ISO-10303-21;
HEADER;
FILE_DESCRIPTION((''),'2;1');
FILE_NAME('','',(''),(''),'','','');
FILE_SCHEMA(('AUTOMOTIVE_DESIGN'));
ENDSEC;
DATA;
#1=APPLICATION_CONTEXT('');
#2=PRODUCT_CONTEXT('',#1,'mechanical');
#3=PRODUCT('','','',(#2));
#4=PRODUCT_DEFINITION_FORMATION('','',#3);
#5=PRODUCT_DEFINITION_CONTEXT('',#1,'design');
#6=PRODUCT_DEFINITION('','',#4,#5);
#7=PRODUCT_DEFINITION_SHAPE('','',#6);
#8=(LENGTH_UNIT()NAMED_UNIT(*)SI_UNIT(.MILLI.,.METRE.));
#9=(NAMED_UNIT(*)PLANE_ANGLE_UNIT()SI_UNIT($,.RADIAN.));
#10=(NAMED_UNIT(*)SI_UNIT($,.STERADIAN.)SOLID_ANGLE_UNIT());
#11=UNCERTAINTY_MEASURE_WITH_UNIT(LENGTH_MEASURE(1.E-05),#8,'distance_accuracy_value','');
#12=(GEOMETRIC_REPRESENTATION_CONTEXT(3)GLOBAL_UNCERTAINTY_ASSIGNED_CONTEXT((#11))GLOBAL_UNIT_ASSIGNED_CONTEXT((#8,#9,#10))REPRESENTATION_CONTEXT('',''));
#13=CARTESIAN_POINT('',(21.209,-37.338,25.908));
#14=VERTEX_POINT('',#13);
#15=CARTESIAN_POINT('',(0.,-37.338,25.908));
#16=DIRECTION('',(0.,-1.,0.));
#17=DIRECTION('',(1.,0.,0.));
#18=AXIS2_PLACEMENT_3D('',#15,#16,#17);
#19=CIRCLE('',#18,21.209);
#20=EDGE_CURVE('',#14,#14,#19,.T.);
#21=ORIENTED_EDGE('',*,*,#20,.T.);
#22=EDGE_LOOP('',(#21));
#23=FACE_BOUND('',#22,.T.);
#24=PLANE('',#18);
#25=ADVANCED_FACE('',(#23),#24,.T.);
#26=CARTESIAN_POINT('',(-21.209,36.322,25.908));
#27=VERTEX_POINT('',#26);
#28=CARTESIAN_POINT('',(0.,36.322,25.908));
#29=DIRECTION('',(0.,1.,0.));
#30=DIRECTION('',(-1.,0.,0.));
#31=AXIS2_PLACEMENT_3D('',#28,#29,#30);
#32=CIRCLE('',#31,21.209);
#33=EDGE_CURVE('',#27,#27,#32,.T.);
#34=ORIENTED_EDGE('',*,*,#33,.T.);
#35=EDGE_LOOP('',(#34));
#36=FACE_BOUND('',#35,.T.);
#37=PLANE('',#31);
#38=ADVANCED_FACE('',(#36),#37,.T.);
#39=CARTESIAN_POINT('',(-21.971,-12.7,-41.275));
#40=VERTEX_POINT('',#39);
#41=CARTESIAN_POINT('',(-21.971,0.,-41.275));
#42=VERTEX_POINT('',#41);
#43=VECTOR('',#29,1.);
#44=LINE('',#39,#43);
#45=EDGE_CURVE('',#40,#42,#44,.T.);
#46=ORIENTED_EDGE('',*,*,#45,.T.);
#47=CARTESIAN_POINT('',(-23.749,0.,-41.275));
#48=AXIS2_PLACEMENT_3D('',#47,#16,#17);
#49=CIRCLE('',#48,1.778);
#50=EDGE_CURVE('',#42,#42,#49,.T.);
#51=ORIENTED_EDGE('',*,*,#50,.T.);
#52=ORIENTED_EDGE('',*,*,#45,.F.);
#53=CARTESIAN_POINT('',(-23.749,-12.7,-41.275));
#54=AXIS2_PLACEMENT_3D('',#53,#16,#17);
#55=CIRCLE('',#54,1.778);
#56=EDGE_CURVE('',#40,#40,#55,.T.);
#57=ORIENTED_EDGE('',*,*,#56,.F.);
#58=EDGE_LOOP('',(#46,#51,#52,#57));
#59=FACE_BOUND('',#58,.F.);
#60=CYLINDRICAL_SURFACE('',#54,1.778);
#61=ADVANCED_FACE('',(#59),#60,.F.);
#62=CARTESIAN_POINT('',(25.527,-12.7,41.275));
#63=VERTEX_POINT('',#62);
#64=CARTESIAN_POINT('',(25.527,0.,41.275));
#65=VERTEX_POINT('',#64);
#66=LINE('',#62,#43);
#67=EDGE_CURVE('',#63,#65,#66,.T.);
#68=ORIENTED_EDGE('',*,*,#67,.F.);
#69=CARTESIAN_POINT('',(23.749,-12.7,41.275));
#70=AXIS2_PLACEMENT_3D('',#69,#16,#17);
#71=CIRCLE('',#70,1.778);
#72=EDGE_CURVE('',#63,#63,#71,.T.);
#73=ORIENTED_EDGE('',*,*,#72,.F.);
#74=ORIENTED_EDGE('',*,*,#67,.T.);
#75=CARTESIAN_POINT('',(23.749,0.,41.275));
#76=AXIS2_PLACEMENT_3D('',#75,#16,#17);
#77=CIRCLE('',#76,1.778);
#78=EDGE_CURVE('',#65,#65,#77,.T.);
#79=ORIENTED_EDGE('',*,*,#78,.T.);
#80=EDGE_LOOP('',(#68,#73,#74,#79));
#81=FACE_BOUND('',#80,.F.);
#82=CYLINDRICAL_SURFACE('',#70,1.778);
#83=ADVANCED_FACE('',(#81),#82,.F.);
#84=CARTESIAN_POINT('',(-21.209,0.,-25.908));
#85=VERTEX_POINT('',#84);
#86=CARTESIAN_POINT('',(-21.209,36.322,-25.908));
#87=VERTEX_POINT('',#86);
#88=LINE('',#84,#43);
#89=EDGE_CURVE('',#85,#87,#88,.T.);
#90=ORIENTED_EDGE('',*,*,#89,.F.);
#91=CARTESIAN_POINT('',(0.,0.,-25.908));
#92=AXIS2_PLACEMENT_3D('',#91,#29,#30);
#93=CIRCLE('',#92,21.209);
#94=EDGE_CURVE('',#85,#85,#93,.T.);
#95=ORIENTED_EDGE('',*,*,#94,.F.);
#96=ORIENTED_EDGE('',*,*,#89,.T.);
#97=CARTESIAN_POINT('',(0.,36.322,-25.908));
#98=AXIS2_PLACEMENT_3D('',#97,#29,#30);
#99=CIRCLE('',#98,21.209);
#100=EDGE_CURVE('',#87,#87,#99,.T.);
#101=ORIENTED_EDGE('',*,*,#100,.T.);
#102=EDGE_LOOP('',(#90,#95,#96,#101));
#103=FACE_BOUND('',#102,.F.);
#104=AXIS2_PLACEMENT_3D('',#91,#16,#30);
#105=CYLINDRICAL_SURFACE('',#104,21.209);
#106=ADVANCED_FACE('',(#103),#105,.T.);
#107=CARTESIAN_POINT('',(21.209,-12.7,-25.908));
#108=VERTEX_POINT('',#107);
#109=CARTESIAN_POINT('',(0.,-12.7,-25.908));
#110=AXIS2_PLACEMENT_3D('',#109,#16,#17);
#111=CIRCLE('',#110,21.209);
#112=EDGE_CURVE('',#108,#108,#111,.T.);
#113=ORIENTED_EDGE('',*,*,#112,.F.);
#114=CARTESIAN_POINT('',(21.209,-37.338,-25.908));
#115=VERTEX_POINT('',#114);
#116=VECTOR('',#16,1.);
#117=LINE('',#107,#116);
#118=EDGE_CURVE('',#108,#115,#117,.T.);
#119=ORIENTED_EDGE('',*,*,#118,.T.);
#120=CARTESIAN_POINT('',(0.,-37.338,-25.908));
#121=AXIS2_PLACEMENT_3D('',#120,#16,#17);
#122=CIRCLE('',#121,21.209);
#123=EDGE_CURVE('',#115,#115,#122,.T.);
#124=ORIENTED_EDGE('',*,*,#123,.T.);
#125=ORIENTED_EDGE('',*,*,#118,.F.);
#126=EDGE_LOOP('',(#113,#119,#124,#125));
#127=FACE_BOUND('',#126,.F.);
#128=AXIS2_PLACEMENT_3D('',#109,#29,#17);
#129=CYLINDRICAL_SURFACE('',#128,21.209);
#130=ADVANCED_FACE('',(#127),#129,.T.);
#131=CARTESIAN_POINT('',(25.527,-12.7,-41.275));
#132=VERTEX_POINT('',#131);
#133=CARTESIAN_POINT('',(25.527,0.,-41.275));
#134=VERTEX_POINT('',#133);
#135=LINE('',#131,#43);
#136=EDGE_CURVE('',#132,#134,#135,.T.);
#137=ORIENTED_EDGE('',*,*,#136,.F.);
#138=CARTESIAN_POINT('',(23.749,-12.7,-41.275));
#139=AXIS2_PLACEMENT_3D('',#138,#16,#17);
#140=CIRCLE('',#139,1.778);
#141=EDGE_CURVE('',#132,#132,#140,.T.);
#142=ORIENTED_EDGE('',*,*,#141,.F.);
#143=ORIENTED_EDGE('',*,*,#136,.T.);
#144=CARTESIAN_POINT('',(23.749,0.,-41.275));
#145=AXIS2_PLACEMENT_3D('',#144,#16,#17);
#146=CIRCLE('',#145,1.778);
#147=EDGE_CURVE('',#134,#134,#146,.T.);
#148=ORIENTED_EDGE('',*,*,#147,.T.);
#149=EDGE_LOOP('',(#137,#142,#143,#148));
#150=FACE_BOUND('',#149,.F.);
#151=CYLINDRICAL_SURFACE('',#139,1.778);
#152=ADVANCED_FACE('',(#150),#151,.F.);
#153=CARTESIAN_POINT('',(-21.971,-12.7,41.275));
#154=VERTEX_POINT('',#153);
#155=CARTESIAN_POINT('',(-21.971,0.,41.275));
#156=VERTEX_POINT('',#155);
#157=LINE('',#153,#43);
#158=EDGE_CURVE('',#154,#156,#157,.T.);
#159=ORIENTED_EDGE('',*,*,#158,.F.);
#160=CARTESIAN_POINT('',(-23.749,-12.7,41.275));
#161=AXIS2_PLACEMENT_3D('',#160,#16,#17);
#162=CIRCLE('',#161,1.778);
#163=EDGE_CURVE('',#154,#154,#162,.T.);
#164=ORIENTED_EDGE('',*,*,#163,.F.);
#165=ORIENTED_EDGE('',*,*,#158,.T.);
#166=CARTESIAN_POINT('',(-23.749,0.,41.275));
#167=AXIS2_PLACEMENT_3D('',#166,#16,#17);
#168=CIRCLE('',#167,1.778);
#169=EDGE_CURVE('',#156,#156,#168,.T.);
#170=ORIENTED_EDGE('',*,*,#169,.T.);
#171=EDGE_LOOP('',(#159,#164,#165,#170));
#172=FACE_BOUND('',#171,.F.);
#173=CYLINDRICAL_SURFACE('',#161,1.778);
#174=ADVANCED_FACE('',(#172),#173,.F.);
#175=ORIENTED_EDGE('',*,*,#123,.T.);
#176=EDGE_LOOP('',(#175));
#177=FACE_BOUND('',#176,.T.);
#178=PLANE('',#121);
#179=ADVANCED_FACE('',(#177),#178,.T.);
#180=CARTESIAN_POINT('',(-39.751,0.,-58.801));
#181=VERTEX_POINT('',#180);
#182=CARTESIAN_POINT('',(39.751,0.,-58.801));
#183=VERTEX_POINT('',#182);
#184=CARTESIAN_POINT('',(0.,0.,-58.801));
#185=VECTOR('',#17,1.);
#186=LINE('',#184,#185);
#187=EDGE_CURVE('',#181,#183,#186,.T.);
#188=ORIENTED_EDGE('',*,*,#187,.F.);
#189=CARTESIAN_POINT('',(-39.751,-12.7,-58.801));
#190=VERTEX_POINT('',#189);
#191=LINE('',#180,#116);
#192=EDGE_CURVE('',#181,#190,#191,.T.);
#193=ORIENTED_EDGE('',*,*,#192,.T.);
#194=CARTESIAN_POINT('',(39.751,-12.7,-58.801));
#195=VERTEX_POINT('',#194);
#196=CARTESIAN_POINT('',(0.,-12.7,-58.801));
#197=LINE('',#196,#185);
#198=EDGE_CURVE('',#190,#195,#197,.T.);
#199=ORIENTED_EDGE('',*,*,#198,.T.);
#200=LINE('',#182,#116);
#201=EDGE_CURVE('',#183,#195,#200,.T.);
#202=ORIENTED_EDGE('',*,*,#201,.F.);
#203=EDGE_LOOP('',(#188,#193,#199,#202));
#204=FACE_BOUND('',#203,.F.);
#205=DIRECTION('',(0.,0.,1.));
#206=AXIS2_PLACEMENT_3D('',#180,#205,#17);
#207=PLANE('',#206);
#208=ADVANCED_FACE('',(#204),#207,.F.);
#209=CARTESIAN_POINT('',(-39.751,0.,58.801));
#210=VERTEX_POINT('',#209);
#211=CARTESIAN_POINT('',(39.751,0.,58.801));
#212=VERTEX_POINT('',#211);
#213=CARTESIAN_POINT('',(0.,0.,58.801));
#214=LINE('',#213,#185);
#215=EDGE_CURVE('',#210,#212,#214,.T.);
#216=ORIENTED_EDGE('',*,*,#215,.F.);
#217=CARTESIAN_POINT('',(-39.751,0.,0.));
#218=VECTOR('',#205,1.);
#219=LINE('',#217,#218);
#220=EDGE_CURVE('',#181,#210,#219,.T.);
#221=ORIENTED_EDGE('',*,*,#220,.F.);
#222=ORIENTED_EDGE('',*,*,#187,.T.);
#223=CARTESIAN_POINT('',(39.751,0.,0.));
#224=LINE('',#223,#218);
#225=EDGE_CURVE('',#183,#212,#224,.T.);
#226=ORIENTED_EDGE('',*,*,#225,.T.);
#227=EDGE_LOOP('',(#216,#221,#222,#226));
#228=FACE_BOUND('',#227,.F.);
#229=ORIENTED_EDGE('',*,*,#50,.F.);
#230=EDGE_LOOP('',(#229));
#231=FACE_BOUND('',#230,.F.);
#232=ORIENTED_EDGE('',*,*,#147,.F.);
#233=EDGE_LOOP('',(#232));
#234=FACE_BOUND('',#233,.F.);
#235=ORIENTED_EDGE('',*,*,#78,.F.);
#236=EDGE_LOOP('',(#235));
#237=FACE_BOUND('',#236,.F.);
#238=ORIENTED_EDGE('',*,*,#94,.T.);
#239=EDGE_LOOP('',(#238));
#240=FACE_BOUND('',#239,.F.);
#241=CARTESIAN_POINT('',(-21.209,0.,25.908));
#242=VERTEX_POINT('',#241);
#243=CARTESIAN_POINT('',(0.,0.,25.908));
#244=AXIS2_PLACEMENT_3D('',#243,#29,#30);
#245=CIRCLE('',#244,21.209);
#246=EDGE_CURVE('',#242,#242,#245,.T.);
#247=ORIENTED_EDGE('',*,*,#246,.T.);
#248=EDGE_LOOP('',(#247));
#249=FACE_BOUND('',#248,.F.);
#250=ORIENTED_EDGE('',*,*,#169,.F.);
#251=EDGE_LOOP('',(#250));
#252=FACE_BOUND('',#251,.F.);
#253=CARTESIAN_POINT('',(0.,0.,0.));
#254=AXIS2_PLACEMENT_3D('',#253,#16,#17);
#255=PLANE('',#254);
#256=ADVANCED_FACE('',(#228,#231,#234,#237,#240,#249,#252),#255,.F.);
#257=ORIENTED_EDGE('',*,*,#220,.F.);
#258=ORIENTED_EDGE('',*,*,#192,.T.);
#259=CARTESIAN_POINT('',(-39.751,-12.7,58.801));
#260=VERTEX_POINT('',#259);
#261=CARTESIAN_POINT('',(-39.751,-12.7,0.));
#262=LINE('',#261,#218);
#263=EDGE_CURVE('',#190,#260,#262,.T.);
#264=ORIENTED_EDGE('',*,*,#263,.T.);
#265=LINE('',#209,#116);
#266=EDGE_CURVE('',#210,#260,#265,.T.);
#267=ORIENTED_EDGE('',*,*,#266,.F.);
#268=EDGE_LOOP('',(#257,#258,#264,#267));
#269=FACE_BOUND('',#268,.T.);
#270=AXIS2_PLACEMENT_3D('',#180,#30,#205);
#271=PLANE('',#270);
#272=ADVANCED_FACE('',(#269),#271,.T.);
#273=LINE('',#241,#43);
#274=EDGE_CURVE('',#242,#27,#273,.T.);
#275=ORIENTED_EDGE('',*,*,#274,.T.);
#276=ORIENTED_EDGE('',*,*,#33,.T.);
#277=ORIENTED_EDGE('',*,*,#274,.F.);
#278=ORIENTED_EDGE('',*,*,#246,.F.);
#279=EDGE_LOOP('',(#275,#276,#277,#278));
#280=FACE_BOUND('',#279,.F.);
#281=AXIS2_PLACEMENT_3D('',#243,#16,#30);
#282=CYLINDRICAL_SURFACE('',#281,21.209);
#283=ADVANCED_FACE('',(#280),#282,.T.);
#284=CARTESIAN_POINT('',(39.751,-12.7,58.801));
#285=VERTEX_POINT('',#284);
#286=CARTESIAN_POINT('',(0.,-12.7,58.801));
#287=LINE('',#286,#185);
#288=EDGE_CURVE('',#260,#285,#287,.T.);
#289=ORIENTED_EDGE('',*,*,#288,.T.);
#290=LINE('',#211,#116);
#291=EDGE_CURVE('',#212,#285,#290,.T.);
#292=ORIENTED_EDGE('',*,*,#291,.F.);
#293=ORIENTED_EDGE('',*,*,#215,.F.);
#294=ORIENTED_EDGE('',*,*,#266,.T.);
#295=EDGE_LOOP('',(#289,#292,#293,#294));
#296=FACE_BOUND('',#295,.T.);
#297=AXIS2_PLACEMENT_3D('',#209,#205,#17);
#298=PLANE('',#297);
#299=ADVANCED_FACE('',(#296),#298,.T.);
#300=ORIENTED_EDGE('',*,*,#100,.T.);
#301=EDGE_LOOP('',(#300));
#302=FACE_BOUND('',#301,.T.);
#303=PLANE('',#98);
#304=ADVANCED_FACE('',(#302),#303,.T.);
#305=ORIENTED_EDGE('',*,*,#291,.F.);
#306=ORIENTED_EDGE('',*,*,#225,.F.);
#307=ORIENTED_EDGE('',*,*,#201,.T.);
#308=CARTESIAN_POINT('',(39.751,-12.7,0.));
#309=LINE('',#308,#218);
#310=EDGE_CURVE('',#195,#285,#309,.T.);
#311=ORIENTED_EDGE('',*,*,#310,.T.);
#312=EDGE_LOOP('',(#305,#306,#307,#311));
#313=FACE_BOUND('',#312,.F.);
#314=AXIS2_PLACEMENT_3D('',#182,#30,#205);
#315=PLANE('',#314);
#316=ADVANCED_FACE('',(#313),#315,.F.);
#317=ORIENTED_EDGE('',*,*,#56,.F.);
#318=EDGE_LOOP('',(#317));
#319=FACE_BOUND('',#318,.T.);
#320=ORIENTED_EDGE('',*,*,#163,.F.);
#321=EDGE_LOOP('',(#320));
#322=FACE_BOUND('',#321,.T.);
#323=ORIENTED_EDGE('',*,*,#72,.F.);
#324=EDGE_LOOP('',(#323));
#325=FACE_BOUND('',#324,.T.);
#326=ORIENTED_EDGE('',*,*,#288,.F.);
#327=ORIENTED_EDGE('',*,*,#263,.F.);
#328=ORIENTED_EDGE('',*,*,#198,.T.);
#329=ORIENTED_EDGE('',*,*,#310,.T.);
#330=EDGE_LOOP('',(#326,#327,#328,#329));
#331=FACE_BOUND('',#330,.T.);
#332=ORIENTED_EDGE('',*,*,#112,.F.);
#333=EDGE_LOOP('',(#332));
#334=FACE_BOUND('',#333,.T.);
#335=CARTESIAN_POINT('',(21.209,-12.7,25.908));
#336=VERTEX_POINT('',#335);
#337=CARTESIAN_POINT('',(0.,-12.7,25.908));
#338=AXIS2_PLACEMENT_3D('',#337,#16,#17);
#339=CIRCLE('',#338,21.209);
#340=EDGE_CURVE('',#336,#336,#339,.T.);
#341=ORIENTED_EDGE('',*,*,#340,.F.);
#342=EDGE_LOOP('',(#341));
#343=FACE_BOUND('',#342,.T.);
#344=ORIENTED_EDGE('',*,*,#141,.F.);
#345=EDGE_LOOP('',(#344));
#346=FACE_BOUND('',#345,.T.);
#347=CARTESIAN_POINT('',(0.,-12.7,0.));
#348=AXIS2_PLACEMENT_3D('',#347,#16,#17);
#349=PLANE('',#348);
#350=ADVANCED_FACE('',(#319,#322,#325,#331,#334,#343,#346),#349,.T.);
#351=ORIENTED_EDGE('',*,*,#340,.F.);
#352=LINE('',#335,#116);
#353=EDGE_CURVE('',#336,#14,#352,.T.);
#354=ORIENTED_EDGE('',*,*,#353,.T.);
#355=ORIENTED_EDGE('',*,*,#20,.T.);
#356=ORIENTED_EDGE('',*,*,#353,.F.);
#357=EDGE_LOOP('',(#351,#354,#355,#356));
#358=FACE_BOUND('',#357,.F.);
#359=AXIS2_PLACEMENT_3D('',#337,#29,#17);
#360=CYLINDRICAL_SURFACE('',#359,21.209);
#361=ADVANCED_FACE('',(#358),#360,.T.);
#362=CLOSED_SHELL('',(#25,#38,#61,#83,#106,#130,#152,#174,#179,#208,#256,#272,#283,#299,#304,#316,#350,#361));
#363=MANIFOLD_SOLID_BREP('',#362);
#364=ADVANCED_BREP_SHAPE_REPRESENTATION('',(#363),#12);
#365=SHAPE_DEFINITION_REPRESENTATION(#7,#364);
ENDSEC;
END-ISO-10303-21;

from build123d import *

# Parameters (mm, degrees)
F0_W     = 79.502
F0_H     = 117.602
F1_DEPTH = 12.7
F2_R     = 1.778
F3_DEPTH = 12.701
F4_R     = 21.209
F5_DEPTH = 36.322
F6_R     = 21.209
F7_DEPTH = 24.638


with BuildPart() as f1:
    # F0 (on Front) → F1 (new body)
    with BuildSketch(Plane.XZ):
        Rectangle(F0_W, F0_H)
    extrude(amount=F1_DEPTH)

    # F2 (on face) → F3 (cut, through all)
    with BuildSketch(Plane.XZ.offset(12.7)):
        with Locations((-23.749, 41.275)):
            Circle(F2_R)
        with Locations((23.749, 41.275)):
            Circle(F2_R)
        with Locations((-23.749, -41.275)):
            Circle(F2_R)
        with Locations((23.749, -41.275)):
            Circle(F2_R)
    extrude(amount=-F3_DEPTH, mode=Mode.SUBTRACT)

    # F4 (on face) → F5 (join)
    with BuildSketch(Plane(origin=(0, 0, 0), x_dir=(-1, 0, 0), z_dir=(0, 1, 0))):
        with Locations((0, 25.908)):
            Circle(F4_R)
        with Locations((0, -25.908)):
            Circle(F4_R)
    extrude(amount=F5_DEPTH)

    # F6 (on face) → F7 (join)
    with BuildSketch(Plane.XZ.offset(12.7)):
        with Locations((0, 25.908)):
            Circle(F6_R)
        with Locations((0, -25.908)):
            Circle(F6_R)
    extrude(amount=F7_DEPTH)


solid = f1.part
